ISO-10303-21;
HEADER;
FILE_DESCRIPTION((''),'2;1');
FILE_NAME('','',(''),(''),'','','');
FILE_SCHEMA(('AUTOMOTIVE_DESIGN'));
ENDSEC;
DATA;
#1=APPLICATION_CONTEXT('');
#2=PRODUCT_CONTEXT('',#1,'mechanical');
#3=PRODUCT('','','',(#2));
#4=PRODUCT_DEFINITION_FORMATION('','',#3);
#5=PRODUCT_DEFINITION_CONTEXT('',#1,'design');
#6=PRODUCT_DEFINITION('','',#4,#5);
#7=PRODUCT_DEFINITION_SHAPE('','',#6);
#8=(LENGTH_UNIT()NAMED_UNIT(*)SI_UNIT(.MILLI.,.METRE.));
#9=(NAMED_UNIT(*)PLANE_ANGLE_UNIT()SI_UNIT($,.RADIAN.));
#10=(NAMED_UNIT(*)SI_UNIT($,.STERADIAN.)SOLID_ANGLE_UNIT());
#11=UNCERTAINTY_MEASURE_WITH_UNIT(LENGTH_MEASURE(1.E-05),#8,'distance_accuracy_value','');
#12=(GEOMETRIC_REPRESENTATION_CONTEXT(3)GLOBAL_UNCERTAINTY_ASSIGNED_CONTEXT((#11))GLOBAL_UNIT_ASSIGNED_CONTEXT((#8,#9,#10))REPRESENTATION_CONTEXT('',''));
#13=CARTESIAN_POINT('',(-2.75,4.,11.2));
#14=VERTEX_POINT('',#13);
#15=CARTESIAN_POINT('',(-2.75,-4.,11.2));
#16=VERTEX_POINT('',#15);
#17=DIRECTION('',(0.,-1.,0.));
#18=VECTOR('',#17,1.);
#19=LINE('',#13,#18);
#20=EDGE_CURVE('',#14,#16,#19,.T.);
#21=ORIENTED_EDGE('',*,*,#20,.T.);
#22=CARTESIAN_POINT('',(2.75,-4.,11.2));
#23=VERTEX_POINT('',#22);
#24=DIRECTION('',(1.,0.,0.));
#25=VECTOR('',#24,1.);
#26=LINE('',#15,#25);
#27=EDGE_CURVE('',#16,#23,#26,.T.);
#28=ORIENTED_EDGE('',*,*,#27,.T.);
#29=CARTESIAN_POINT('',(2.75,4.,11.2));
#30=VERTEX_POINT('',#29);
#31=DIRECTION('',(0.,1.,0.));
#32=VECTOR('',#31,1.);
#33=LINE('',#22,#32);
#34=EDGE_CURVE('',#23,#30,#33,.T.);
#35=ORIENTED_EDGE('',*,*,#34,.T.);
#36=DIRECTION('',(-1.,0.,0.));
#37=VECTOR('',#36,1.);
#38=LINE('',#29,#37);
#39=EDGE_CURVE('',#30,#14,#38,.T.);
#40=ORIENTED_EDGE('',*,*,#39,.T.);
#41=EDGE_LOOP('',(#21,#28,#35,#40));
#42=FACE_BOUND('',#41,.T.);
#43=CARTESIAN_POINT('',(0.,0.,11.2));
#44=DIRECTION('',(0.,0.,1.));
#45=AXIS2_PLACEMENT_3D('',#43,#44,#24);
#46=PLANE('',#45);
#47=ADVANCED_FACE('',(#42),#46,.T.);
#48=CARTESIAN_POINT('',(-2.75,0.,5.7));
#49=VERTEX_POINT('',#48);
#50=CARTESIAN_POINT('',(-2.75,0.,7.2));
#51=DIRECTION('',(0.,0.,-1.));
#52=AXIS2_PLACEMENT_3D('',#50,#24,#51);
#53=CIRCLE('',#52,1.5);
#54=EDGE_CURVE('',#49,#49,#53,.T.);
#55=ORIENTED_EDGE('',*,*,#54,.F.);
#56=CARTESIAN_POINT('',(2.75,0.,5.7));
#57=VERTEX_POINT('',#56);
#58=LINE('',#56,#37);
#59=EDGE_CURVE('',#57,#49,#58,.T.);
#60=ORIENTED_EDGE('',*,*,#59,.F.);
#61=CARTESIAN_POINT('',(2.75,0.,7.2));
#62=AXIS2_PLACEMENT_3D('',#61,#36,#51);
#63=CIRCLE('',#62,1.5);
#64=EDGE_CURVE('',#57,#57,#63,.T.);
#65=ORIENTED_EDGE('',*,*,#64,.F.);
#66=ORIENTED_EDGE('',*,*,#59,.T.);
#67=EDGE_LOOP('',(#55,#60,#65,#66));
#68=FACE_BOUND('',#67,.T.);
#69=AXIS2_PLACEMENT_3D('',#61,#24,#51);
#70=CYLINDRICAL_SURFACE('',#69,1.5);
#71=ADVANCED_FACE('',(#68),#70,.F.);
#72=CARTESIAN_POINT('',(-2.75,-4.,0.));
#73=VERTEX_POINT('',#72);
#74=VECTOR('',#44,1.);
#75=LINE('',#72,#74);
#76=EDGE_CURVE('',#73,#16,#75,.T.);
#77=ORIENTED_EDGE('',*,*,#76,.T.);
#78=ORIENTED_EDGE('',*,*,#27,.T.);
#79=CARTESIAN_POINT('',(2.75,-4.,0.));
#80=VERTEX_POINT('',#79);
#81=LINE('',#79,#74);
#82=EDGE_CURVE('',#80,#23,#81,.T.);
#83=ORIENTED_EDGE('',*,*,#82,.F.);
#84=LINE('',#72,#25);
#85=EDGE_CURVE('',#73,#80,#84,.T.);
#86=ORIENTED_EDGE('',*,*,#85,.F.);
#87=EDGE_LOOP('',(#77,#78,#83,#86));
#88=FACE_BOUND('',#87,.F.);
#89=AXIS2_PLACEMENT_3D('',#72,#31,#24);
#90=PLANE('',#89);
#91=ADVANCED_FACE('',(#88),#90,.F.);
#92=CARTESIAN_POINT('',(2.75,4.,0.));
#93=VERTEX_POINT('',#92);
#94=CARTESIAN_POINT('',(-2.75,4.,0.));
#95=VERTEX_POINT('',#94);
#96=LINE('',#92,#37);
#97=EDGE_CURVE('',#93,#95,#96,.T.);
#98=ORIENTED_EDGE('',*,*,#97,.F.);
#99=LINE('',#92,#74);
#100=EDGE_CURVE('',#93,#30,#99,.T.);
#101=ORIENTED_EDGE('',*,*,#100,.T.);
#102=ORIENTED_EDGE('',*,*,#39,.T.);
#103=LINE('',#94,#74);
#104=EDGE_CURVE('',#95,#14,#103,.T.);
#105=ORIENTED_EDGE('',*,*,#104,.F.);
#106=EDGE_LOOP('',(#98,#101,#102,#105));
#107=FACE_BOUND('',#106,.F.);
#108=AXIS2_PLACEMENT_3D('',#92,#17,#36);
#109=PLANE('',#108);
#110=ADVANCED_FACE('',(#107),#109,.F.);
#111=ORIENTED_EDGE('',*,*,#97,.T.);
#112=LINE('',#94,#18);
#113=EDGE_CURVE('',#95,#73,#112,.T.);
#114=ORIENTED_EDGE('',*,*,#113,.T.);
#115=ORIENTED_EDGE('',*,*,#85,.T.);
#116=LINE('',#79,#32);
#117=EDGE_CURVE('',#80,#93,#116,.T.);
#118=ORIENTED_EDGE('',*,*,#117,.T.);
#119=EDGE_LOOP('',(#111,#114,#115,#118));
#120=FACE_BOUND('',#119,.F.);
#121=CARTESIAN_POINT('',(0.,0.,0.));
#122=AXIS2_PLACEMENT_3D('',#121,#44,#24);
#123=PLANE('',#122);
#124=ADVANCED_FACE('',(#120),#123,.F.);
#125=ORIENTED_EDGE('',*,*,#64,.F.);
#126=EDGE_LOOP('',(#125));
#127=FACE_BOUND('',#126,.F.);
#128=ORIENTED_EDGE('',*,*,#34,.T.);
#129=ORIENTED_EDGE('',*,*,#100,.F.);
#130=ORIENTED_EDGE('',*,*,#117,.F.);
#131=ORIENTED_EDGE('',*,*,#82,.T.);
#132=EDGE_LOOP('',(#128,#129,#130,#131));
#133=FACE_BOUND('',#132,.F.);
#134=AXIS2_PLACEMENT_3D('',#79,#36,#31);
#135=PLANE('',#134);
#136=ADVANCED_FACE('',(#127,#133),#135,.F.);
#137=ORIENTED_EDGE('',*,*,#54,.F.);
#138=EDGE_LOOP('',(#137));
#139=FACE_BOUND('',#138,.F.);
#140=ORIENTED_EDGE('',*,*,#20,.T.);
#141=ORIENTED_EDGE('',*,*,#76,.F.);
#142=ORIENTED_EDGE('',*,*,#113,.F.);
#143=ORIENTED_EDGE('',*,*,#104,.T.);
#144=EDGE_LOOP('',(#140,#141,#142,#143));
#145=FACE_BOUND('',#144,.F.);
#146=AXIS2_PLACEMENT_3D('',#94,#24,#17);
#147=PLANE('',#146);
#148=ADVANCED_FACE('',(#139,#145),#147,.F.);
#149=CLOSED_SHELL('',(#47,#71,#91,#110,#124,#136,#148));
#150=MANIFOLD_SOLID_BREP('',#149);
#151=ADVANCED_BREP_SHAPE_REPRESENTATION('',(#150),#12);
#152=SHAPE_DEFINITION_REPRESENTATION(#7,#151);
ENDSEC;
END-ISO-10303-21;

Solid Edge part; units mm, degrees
sketch "Sketch1" plane through (0, 0, 0) normal (0, 0, 1) x (1, 0, 0)
  line L0 (2.75, -4) -> (2.75, 4)
  line L1 (2.75, 4) -> (-2.75, 4)
  line L2 (-2.75, 4) -> (-2.75, -4)
  line L3 (-2.75, -4) -> (2.75, -4)
extrude "Protrusion1" add sketch "Sketch1" along normal blind 11.2
hole "Hole_1" at (2.75, 0, 7.2) direction (-1, 0, 0) diameter 3 end up to next
